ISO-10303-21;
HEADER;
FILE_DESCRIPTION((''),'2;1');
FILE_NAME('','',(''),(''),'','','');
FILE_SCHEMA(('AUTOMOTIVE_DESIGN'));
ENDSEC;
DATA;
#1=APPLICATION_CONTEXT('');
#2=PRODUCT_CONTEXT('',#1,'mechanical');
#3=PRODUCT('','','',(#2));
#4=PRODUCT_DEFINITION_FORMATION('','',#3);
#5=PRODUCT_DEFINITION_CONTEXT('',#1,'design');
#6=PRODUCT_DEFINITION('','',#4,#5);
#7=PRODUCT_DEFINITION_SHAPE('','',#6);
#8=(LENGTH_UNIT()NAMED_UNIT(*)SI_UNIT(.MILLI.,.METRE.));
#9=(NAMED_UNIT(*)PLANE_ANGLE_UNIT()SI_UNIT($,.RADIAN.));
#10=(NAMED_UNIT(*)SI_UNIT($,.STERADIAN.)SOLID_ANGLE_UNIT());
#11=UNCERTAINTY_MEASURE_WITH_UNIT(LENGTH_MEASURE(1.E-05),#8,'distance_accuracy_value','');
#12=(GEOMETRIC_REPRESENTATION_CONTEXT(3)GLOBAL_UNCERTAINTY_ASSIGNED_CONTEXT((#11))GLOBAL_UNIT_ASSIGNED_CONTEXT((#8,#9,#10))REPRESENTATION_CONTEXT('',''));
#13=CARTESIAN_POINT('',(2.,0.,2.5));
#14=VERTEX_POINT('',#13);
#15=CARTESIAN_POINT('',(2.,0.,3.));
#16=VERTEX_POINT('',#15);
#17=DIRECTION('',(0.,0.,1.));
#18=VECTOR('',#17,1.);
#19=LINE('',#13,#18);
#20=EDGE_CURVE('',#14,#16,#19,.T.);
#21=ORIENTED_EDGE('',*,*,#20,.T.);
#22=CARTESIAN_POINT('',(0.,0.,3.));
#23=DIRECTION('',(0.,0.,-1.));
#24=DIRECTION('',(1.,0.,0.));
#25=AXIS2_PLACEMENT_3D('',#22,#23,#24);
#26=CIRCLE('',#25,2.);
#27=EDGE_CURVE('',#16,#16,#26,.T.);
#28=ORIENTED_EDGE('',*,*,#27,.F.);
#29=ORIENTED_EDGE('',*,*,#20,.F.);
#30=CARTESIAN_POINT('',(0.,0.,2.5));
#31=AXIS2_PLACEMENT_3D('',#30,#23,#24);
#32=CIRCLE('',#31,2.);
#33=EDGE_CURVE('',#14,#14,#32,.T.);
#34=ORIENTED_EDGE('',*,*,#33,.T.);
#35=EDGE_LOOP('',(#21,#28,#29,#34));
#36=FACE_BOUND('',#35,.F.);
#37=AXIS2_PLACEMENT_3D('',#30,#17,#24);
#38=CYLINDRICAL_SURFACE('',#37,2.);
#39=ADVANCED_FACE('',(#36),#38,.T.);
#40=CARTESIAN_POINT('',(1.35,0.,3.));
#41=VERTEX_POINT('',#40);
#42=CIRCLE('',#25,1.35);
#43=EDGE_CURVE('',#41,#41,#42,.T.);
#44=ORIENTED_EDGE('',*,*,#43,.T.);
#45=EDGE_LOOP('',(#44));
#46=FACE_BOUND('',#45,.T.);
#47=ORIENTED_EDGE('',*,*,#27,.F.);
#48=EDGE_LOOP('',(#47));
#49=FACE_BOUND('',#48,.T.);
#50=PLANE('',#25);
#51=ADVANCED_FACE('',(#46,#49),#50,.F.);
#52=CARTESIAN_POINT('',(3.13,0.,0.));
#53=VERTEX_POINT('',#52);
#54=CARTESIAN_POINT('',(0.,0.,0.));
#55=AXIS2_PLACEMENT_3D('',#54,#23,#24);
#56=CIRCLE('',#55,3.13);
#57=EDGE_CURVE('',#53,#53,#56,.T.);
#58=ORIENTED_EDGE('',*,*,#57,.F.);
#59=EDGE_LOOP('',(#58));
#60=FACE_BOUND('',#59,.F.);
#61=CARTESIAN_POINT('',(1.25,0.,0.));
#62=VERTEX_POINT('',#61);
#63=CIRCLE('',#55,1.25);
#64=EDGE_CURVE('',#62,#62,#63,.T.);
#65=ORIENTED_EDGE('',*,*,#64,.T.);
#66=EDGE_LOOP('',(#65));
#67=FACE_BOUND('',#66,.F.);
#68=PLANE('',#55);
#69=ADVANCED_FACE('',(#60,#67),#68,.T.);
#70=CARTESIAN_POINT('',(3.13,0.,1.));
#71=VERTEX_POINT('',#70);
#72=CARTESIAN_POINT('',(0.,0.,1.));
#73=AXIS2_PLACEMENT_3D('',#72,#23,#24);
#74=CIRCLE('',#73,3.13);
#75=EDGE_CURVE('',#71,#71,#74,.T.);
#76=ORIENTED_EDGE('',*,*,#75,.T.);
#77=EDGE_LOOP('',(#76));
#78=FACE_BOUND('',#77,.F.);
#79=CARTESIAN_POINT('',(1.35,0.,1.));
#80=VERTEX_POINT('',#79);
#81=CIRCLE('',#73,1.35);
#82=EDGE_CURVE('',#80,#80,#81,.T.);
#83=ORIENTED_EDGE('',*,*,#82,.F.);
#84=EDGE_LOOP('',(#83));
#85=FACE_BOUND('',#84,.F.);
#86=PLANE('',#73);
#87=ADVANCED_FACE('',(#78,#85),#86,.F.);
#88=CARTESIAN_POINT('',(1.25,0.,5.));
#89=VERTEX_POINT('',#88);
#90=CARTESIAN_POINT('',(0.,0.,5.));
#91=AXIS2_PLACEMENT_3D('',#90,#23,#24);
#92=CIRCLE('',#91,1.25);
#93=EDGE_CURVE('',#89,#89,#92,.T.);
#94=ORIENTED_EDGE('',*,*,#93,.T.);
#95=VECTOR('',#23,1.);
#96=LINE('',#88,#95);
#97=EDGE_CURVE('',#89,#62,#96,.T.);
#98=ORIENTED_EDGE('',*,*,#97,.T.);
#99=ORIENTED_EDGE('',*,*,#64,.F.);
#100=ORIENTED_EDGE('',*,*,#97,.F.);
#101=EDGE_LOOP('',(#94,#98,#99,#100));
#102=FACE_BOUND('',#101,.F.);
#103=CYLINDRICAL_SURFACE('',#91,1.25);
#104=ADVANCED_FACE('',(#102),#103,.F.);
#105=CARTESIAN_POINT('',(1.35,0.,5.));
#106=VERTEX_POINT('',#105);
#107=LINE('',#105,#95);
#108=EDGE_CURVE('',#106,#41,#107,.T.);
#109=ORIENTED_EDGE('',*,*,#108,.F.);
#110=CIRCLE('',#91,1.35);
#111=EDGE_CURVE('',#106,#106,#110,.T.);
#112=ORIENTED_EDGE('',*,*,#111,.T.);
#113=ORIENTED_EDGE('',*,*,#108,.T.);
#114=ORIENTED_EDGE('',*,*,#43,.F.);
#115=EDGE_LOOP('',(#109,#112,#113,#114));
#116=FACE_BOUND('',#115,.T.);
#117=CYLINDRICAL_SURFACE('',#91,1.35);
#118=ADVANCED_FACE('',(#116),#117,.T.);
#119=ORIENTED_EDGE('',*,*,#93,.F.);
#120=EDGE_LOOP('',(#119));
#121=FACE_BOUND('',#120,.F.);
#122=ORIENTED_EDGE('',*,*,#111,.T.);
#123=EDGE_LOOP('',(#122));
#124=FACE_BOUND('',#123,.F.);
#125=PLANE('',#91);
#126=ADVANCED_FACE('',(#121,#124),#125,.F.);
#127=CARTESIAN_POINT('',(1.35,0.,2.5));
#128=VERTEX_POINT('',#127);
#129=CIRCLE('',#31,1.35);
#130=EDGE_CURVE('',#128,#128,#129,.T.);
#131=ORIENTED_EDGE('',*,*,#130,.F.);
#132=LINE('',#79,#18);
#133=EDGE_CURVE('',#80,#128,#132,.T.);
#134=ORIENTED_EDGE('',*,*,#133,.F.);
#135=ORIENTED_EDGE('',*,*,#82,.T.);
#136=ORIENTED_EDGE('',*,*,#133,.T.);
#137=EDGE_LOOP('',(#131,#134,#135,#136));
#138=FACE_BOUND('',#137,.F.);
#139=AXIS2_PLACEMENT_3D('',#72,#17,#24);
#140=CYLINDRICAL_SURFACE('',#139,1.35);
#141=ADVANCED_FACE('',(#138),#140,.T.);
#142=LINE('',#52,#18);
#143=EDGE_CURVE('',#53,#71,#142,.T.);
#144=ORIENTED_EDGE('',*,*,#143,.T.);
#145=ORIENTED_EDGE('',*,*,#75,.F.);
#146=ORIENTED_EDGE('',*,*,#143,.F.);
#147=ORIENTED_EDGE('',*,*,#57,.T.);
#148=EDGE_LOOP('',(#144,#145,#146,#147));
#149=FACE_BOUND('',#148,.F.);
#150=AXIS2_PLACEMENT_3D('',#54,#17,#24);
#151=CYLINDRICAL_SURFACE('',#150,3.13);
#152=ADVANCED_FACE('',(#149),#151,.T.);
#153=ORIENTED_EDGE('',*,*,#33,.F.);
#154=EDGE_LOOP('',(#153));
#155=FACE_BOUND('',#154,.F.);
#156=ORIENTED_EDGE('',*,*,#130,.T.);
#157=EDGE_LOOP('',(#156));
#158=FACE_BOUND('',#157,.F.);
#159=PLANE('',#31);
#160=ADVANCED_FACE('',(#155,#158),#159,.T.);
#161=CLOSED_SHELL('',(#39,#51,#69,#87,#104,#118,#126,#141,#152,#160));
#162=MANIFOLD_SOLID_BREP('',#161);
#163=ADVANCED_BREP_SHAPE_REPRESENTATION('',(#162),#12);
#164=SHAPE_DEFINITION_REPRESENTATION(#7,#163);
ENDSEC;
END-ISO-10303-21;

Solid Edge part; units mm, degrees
sketch "Sketch1" plane through (0, 0, 0) normal (0, -1, 0) x (1, 0, 0)
  line L0 (3.13, 1) -> (1.35, 1)
  line L1 (1.35, 1) -> (1.35, 2.5)
  line L2 (1.35, 2.5) -> (2, 2.5)
  line L3 (2, 2.5) -> (2, 3)
  line L4 (1.35, 3) -> (2, 3)
  line L5 (1.35, 5) -> (1.35, 3)
  line L6 (1.35, 5) -> (1.25, 5)
  line L7 (1.25, 5) -> (1.25, 0)
  line L8 (1.25, 0) -> (3.13, 0)
  line L9 (3.13, 0) -> (3.13, 1)
revolve "RevolvedProtrusion1" add sketch "Sketch1" angle 360 about axis through (0, 0, 5) along (0, 0, -1)
properties material "Galvanized steel"
